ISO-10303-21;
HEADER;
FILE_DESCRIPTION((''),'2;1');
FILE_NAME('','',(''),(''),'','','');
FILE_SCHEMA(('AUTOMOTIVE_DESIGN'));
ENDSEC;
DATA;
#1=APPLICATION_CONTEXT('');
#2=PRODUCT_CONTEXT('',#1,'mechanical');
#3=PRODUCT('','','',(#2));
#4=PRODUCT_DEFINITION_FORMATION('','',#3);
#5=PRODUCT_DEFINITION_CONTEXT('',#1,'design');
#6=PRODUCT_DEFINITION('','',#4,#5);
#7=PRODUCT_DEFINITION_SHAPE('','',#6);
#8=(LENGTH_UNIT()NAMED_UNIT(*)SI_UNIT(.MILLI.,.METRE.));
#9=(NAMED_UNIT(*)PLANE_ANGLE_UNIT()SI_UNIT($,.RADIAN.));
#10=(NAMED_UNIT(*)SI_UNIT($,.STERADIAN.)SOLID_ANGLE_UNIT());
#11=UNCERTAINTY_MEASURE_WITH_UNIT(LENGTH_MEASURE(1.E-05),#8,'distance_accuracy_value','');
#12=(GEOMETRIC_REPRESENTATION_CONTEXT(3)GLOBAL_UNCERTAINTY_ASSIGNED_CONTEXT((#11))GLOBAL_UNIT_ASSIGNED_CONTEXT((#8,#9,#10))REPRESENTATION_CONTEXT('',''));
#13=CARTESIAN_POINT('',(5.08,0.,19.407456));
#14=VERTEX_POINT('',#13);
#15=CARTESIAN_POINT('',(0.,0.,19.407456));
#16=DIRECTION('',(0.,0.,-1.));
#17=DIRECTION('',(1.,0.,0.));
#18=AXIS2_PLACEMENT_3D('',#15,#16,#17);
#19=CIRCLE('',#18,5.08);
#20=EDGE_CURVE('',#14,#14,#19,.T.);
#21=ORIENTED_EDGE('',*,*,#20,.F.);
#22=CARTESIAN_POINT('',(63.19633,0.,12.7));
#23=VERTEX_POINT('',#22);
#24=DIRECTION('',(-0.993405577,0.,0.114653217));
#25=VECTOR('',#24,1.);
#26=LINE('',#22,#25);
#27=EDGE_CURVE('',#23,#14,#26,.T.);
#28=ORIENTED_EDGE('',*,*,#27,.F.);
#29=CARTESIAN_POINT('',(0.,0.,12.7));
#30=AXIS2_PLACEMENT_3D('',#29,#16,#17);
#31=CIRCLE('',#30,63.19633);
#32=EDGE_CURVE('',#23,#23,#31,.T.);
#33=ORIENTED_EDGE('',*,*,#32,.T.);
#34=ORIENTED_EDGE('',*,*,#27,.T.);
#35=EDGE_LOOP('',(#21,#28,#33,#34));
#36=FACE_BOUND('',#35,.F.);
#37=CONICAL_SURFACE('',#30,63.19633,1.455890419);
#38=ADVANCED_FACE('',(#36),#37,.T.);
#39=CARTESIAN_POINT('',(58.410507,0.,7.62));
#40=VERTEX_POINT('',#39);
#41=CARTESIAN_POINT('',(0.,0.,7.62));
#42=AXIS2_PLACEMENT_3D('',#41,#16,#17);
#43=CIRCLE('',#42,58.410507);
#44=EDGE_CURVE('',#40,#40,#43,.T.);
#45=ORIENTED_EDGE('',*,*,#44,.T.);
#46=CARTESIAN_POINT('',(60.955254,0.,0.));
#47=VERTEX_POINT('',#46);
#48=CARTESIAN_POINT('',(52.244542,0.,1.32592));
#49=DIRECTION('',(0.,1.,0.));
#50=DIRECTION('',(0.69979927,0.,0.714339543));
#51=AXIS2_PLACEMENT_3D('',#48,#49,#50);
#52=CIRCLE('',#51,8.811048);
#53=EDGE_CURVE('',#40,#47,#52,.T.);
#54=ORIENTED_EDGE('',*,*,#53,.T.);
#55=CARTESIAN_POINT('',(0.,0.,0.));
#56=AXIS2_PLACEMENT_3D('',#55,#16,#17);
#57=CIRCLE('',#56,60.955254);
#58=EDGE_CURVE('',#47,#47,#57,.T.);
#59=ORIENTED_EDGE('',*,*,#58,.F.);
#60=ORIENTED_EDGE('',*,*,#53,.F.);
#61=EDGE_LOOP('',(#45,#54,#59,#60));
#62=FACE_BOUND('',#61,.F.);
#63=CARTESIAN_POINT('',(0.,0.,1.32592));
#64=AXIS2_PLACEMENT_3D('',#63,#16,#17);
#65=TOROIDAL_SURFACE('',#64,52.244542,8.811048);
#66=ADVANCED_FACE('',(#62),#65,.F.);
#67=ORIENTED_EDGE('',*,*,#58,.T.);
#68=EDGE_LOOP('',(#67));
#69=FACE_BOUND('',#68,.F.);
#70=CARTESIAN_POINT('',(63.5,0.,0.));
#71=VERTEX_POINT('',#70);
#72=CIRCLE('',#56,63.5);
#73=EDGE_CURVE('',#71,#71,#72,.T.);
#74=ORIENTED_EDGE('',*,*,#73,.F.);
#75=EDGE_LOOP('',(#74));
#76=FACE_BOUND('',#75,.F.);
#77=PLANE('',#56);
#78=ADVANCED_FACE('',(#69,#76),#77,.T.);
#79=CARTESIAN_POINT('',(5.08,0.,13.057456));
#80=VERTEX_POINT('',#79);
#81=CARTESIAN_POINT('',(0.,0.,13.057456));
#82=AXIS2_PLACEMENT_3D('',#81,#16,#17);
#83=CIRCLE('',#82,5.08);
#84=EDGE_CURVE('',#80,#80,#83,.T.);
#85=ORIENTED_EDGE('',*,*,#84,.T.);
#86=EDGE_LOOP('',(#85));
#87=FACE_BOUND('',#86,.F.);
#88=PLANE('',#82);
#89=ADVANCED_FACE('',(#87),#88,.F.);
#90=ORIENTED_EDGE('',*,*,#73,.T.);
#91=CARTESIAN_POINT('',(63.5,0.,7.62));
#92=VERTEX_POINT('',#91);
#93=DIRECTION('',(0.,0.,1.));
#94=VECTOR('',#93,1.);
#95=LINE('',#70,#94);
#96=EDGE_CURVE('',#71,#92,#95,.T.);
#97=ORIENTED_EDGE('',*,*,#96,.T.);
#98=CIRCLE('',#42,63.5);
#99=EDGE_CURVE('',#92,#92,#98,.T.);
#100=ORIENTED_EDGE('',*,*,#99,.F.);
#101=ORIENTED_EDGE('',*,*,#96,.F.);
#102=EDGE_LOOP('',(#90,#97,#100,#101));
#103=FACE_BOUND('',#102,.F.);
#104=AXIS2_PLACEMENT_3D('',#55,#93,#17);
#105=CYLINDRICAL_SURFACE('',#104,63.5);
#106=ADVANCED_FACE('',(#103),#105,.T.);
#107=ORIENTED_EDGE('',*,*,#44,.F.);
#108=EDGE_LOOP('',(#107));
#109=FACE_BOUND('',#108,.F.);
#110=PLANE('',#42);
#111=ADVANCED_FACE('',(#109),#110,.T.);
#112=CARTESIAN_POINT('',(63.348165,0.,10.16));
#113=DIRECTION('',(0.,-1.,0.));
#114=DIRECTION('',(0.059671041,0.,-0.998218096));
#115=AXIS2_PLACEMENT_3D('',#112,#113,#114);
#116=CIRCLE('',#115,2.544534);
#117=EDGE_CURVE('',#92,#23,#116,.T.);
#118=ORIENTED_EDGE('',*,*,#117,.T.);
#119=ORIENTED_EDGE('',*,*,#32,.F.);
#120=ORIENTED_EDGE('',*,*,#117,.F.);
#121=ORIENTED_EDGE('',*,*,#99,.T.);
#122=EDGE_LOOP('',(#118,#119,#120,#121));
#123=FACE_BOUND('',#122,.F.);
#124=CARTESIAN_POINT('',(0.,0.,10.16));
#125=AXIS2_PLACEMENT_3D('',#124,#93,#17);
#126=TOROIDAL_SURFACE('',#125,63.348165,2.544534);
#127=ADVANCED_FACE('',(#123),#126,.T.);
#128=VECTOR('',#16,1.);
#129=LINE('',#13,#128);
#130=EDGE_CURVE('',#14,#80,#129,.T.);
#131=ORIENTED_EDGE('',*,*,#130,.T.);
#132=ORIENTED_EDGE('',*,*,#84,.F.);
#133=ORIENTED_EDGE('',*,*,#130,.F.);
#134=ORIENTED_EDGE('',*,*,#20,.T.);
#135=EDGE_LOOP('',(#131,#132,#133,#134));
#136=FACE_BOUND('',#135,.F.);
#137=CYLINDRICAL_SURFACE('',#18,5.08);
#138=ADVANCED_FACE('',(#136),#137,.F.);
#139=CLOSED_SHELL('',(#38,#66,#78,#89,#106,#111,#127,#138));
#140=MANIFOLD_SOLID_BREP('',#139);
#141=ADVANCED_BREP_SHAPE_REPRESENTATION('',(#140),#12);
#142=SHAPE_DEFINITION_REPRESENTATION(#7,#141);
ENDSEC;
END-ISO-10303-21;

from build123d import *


with BuildPart() as f1:
    # F0 (on Front) → F1 (revolve)
    with BuildSketch(Plane.XZ):
        with BuildLine():
            Line((0, 13.057456), (0, 7.62))
            Line((0, 7.62), (58.410507, 7.62))
            ThreePointArc((58.410507, 7.62), (60.601873, 4.116903), (60.955254, 0))
            Line((60.955254, 0), (63.5, 0))
            Line((63.5, 0), (63.5, 7.62))
            ThreePointArc((63.5, 7.62), (65.888165, 10.311835), (63.19633, 12.7))
            Line((63.19633, 12.7), (5.08, 19.407456))
            Line((5.08, 19.407456), (5.08, 13.057456))
            Line((5.08, 13.057456), (0, 13.057456))
        make_face()
    revolve(axis=Axis((0, 0, 10.338728), (0, 0, -1)))


solid = f1.part
